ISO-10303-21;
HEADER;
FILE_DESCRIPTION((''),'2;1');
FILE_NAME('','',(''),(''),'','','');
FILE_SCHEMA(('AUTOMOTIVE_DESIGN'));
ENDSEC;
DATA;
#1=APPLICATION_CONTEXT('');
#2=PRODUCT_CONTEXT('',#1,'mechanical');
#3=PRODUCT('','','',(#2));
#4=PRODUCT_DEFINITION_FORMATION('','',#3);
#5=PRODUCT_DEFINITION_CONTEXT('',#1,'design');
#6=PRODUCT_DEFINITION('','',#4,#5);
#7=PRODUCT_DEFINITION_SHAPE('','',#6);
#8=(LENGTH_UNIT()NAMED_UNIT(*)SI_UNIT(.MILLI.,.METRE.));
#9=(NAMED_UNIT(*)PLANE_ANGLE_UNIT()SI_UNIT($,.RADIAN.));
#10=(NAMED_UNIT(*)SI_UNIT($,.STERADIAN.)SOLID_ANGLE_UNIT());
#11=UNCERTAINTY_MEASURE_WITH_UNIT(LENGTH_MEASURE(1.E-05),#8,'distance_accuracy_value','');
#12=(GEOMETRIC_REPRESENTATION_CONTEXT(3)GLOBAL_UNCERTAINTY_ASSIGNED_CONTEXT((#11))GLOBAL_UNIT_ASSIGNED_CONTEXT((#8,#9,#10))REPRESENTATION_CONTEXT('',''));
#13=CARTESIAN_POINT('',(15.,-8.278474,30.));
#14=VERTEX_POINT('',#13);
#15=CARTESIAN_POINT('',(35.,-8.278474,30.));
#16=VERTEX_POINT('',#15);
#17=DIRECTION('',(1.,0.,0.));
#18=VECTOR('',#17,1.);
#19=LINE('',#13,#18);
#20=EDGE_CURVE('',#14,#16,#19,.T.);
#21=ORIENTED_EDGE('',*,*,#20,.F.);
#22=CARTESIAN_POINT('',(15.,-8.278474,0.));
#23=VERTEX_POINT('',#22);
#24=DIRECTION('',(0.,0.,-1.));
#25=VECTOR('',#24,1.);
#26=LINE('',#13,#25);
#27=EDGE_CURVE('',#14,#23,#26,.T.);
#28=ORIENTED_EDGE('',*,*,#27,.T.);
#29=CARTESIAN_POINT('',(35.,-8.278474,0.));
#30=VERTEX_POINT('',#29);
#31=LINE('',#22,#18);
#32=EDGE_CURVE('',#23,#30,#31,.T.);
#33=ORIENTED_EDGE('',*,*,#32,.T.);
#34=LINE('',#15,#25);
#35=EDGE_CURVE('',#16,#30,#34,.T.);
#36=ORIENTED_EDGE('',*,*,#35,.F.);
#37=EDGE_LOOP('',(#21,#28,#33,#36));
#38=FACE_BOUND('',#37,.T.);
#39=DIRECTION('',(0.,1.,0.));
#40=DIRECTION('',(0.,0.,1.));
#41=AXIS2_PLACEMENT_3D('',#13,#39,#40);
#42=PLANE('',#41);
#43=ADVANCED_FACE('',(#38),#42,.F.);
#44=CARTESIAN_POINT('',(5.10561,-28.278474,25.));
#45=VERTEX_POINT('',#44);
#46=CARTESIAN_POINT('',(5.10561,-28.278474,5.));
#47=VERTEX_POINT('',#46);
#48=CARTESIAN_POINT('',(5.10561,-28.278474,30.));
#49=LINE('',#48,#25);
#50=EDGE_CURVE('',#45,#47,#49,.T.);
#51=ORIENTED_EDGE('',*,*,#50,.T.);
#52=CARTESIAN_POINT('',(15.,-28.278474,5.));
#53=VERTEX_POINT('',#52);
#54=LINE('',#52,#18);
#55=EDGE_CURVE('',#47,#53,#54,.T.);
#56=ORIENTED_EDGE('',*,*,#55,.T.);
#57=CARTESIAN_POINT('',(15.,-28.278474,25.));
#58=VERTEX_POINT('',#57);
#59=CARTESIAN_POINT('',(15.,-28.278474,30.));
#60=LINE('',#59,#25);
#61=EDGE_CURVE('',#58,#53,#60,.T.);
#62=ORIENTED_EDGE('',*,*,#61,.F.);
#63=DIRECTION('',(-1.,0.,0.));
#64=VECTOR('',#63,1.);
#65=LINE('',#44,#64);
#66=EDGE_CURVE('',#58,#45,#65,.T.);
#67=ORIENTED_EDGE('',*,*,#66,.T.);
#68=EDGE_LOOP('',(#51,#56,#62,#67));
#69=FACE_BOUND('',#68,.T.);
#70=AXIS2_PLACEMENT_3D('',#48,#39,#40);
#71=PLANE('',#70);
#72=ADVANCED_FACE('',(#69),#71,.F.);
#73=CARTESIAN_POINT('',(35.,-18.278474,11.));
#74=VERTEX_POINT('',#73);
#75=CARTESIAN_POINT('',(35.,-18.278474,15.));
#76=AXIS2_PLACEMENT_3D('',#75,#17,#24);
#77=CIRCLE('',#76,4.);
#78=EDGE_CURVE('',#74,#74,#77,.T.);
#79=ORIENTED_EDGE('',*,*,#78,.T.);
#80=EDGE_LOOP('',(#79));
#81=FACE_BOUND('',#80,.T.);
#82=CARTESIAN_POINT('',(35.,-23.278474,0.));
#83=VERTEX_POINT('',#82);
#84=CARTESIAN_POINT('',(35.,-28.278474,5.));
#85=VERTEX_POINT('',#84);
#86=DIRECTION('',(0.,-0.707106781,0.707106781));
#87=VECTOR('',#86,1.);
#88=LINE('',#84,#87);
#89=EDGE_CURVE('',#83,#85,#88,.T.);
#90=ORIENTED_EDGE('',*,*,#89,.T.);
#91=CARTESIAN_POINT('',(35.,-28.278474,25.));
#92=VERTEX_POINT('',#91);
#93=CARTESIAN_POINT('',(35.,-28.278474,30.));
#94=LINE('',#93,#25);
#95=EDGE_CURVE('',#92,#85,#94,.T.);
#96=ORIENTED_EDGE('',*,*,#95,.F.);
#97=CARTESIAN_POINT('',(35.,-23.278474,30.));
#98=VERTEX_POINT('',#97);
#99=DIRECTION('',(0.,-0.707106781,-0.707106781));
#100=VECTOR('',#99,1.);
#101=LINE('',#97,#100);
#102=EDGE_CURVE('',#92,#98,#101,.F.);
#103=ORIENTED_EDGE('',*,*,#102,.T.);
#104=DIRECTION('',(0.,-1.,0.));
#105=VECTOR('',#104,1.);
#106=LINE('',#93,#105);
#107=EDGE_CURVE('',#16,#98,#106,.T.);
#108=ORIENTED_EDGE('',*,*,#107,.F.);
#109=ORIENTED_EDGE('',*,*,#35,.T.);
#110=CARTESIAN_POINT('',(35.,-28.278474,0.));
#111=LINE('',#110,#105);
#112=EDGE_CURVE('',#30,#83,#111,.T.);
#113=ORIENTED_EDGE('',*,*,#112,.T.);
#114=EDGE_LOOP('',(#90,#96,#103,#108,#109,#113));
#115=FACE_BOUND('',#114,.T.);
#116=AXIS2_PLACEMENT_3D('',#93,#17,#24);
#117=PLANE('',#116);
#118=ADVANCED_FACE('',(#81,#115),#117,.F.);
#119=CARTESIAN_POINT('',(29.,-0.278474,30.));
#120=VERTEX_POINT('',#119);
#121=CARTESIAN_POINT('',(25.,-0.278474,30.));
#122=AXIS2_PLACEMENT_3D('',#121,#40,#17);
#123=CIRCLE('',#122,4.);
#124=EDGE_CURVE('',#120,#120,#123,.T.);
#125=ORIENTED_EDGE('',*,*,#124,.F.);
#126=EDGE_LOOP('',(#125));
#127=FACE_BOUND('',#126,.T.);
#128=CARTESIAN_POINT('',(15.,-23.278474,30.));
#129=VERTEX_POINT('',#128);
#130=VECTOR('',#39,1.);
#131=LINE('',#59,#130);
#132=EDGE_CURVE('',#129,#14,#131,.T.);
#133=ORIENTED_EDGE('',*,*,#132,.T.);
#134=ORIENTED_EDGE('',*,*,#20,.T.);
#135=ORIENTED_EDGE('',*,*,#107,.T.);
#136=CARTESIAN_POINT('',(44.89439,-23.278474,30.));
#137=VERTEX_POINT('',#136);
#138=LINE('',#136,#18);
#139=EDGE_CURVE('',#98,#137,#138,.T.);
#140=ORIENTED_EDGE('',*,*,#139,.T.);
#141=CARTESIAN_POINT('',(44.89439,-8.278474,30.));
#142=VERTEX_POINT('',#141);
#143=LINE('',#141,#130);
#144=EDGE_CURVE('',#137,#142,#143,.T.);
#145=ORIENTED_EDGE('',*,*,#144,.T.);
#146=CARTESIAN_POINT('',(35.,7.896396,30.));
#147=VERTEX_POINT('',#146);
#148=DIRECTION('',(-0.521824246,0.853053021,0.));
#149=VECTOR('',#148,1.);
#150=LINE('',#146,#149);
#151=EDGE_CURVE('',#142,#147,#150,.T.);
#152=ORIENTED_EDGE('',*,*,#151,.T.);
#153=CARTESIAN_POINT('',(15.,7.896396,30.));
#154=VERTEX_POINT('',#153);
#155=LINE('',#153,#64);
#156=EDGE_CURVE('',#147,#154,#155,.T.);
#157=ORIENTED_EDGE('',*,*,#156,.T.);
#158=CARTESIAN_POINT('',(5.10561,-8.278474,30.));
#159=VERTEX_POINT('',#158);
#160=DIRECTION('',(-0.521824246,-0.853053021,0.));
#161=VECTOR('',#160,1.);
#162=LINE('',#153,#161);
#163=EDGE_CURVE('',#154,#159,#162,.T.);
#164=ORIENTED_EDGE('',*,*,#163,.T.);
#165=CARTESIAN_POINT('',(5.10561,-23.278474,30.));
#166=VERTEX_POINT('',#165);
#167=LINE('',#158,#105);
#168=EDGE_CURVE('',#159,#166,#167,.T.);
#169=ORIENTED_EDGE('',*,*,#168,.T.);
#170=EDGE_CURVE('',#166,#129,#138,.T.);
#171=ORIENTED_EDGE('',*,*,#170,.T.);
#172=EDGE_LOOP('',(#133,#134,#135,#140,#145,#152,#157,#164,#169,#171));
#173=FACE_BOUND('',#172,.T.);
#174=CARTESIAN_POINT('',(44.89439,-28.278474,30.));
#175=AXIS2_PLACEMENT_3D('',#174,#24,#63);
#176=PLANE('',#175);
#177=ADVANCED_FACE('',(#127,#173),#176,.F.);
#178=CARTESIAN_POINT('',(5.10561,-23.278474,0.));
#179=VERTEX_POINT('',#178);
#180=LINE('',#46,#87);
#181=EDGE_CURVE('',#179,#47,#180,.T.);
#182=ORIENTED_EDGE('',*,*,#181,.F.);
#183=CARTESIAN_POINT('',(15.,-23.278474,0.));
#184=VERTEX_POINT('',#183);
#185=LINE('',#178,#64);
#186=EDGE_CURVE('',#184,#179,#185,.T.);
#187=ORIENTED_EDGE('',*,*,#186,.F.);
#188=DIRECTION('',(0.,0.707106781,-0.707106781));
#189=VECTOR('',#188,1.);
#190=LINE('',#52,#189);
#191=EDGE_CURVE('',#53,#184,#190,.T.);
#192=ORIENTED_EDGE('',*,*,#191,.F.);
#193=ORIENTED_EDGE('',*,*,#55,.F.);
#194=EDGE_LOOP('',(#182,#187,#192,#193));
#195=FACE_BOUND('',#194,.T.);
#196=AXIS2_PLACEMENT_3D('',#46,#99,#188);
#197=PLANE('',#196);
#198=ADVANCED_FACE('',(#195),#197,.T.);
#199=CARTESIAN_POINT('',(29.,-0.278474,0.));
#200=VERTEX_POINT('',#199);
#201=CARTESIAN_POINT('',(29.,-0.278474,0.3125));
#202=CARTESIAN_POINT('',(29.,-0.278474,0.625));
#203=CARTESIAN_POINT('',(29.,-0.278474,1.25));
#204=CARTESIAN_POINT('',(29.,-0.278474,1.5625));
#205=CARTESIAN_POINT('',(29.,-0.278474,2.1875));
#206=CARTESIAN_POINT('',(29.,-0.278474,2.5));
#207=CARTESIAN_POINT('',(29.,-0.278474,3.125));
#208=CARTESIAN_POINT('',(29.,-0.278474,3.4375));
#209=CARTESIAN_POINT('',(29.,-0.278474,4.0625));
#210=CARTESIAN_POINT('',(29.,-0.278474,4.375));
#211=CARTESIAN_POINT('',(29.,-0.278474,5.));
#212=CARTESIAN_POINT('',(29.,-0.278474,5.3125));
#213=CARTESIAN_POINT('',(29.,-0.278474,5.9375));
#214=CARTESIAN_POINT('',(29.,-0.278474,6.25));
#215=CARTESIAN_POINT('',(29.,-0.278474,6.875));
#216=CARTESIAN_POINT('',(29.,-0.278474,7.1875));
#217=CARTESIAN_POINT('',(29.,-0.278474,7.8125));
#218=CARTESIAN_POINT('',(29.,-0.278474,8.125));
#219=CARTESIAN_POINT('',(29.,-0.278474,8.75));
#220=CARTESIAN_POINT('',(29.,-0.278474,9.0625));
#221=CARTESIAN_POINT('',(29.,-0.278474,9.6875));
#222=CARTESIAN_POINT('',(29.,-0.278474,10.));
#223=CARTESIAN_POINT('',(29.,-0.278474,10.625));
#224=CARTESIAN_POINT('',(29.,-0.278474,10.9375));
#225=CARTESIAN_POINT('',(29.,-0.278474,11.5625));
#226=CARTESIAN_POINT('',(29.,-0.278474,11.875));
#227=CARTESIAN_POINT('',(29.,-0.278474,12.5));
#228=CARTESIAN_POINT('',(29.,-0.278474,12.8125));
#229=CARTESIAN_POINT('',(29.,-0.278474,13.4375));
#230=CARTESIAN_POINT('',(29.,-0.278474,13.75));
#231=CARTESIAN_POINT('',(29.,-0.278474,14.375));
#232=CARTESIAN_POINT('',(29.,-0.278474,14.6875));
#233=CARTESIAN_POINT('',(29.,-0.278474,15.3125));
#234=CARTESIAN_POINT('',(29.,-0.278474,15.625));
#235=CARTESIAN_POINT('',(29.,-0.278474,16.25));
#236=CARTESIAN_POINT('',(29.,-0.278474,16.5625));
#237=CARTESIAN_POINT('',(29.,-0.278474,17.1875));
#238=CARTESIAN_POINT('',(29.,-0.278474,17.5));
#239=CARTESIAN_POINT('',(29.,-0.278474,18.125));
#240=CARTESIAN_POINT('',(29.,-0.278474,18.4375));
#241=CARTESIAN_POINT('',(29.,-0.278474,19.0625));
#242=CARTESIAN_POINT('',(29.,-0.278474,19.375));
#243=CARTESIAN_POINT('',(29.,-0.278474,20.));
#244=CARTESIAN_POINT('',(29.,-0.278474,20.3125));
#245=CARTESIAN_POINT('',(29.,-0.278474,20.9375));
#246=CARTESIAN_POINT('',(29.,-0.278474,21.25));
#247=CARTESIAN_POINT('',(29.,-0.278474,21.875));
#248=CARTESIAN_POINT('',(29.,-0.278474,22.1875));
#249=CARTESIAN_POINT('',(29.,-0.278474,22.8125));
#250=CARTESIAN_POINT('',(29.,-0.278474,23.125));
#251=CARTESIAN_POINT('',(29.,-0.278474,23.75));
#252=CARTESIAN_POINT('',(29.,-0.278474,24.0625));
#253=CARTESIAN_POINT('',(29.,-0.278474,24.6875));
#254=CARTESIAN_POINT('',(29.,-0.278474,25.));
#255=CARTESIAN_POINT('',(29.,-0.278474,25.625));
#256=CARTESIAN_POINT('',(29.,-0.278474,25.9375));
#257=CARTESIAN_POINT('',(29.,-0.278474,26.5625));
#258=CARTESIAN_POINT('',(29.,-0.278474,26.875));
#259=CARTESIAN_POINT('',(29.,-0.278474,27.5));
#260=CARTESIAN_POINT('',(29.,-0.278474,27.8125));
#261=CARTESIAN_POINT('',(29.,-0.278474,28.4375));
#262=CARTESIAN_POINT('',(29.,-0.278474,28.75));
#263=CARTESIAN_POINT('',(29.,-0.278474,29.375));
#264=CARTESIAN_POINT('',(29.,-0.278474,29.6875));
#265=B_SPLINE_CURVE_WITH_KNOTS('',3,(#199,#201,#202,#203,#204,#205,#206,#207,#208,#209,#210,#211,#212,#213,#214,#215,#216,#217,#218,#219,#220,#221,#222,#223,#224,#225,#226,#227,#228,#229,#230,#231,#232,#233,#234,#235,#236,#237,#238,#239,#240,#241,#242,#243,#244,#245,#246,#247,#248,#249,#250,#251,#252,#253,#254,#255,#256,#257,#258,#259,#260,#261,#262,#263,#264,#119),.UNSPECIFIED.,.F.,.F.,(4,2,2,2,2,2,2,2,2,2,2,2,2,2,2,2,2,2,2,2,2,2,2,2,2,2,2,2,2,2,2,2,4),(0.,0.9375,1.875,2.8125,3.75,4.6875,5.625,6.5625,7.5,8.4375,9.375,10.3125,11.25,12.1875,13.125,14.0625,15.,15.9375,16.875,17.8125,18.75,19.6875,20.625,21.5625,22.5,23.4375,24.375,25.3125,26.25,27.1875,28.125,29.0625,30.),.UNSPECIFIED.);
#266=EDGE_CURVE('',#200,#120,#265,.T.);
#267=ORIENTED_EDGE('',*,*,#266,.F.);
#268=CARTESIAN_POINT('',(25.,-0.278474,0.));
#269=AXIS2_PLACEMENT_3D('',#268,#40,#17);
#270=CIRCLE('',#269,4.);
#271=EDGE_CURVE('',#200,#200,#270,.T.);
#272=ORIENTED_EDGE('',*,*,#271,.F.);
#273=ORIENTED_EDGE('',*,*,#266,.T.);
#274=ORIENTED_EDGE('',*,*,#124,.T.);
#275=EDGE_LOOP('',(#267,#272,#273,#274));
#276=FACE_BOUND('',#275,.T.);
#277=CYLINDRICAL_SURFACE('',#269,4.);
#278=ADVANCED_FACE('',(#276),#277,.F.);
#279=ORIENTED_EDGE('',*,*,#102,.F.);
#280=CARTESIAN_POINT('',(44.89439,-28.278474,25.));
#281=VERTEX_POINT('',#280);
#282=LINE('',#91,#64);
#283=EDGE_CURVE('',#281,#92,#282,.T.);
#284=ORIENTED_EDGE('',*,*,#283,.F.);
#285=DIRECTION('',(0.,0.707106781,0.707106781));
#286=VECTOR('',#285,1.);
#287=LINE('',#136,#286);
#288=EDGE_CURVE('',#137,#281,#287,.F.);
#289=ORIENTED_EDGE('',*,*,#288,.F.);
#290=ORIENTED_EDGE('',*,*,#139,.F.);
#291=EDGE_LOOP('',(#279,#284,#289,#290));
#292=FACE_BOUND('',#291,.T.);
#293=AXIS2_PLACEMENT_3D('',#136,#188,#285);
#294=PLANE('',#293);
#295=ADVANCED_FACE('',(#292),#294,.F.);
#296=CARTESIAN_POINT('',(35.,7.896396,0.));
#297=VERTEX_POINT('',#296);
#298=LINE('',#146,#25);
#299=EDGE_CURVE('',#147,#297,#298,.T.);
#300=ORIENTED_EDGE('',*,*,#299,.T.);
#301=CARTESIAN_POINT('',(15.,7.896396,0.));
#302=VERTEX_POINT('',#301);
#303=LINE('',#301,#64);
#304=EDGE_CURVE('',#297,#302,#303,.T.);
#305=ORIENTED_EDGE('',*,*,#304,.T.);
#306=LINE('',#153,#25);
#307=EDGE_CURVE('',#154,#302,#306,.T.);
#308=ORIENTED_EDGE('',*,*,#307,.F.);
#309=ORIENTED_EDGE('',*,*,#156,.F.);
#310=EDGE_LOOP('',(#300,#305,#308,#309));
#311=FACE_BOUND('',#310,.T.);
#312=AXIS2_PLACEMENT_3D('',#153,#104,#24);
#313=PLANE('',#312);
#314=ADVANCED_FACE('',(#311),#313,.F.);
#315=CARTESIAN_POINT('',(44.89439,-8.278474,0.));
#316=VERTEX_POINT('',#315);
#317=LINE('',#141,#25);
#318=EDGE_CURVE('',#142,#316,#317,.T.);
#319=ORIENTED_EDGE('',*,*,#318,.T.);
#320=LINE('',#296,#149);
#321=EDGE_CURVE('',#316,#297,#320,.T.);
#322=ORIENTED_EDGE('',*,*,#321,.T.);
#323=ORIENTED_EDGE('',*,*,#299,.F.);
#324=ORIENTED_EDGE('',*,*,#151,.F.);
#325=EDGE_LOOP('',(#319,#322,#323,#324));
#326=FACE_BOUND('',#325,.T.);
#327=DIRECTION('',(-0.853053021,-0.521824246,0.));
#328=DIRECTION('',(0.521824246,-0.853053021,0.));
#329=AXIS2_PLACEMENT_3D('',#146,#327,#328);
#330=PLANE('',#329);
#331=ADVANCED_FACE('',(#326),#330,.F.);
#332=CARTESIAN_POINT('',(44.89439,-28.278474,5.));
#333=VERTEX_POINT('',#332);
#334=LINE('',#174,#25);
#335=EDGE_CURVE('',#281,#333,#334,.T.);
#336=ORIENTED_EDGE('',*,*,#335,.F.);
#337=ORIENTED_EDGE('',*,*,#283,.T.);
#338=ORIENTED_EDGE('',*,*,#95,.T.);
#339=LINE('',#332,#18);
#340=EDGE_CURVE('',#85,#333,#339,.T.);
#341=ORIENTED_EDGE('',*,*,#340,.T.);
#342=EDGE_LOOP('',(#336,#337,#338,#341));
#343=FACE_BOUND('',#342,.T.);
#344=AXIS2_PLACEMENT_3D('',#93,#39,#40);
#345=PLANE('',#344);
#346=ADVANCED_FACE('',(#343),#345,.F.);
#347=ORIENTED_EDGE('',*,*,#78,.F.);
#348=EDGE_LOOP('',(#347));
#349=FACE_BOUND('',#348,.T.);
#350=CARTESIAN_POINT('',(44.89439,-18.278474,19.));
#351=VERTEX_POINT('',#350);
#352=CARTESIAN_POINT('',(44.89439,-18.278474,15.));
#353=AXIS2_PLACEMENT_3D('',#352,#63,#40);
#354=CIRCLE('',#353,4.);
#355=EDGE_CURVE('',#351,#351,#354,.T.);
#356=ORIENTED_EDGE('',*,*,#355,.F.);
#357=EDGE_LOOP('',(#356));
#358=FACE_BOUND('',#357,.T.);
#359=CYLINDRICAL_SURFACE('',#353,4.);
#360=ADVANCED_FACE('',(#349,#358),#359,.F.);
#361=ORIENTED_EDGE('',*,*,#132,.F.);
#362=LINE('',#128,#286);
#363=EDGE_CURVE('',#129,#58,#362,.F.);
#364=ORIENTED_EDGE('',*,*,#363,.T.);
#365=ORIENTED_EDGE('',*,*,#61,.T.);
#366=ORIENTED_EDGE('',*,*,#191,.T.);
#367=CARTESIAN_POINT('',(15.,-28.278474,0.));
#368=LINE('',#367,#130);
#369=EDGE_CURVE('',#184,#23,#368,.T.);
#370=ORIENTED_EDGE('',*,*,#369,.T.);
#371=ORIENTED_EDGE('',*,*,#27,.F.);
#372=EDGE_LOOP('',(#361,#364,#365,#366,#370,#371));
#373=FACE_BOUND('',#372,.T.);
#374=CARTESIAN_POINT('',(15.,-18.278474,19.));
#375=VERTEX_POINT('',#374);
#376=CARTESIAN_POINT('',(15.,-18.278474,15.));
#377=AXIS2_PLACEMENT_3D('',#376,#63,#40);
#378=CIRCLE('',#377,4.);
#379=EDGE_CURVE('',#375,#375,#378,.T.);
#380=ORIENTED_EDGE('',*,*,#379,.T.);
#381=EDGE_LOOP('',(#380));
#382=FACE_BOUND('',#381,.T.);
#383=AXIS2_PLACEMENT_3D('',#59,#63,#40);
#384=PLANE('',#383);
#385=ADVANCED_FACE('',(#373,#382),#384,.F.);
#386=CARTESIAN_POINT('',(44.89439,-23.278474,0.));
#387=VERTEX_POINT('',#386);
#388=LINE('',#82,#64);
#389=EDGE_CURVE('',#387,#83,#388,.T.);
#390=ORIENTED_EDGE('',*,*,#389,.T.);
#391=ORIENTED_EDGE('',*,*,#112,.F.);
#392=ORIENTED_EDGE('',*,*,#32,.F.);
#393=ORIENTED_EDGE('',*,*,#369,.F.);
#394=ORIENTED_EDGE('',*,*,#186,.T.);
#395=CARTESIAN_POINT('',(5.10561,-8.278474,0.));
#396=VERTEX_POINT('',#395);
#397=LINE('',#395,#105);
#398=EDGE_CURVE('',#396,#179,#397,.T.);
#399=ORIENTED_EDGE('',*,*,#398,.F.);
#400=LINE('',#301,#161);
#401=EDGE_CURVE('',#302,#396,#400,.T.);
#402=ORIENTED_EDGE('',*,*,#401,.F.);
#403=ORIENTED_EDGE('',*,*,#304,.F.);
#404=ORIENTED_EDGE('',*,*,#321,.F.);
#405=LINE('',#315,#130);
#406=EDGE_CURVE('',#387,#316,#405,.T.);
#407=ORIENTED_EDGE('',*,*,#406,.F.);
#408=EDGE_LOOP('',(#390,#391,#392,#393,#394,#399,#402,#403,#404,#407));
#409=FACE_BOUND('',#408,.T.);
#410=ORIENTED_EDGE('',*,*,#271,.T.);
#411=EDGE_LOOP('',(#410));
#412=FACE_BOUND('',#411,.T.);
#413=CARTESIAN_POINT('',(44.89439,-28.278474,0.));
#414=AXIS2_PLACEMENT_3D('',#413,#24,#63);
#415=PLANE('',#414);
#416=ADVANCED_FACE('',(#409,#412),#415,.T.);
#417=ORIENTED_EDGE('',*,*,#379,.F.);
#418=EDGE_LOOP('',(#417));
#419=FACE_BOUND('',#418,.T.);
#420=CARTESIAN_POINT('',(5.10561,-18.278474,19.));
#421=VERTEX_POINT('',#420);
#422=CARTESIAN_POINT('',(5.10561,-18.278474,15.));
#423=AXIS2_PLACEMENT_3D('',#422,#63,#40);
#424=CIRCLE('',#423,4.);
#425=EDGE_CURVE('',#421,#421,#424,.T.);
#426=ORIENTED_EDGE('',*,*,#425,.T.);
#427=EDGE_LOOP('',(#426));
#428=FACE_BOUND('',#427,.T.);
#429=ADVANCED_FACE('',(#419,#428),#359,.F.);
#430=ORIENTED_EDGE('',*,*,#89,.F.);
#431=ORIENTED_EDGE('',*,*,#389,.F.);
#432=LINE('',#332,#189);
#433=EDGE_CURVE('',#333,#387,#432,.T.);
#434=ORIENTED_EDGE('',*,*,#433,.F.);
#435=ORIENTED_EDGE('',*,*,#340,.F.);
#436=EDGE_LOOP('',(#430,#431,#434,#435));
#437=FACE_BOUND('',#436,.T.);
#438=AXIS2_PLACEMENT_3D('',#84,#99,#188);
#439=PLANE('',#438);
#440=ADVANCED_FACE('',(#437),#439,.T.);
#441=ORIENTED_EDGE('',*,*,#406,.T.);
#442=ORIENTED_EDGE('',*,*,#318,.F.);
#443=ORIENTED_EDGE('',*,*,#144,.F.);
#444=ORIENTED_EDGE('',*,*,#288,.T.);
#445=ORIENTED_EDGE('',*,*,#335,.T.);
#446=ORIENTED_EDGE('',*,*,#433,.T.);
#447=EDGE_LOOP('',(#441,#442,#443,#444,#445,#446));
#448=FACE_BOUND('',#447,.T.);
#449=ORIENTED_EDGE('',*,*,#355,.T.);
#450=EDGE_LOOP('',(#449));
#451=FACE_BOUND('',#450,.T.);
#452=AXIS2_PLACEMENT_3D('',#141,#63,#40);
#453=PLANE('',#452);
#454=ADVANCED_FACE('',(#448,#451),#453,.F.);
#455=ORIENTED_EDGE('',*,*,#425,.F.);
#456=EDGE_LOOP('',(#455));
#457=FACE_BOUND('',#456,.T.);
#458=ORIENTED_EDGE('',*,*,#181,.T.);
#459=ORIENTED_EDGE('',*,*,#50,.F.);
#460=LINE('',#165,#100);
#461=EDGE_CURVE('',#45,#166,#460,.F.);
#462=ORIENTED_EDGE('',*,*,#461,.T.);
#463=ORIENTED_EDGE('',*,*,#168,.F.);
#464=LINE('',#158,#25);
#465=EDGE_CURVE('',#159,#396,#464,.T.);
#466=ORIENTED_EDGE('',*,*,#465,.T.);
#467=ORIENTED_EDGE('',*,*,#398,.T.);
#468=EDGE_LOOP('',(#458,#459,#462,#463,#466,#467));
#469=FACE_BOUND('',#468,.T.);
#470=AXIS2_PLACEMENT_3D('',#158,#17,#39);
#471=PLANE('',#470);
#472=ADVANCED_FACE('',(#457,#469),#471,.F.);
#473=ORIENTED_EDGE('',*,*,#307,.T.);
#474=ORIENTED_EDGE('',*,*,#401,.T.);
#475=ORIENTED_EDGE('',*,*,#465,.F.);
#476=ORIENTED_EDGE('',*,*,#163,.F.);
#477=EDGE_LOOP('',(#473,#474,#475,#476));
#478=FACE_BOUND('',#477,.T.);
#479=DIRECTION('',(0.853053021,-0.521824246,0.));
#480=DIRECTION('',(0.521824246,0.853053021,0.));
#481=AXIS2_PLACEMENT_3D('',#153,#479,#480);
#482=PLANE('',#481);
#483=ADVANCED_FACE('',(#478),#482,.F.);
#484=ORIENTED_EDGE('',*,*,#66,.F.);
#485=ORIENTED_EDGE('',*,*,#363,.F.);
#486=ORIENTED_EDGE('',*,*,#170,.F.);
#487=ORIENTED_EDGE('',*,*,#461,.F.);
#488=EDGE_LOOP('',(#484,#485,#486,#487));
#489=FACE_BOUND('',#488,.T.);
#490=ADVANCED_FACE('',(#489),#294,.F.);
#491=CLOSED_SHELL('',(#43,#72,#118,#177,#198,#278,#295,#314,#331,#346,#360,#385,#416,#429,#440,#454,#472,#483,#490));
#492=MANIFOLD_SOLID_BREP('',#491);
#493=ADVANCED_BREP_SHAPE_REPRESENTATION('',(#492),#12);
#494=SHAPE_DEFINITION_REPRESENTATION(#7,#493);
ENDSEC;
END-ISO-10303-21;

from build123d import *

# Parameters (mm, degrees)
EXTRUDE_1_DEPTH     = 30
CHAMFER_1_SIZE      = 5
SKETCH_2_R          = 4
CUT_EXTRUDE_2_DEPTH = 58.295890515
SKETCH_3_R          = 4
CUT_EXTRUDE_3_DEPTH = 61.952262634


with BuildPart() as part:
    # Эскиз1 → Вытянуть1 (new body)
    with BuildSketch(Plane.XY):
        Polygon((15, 7.896395833), (35, 7.896395833), (44.894389845, -8.278473804), (44.894389845, -28.278473804), (35, -28.278473804), (35, -8.278473804), (15, -8.278473804), (15, -28.278473804), (5.105610155, -28.278473804), (5.105610155, -8.278473804), align=None)
    extrude(amount=EXTRUDE_1_DEPTH)

    # Фаска1
    chamfer_1_edges = [part.edges().sort_by_distance(p)[0] for p in [
        (10.052805078, -28.278473804, 0),
        (39.947194922, -28.278473804, 0),
        (10.052805078, -28.278473804, 30),
        (39.947194922, -28.278473804, 30),
    ]]
    chamfer(chamfer_1_edges, length=CHAMFER_1_SIZE)

    # Эскиз2 → Вытянуть2 (cut, through all)
    with BuildSketch(Plane.ZY.offset(-5.105610155)):
        with Locations((15, -18.278473804)):
            Circle(SKETCH_2_R)
    extrude(amount=-CUT_EXTRUDE_2_DEPTH, mode=Mode.SUBTRACT)

    # Эскиз3 → Вытянуть3 (cut, through all)
    with BuildSketch(Plane.XY.offset(30)):
        with Locations((25, -0.278473804)):
            Circle(SKETCH_3_R)
    extrude(amount=-CUT_EXTRUDE_3_DEPTH, mode=Mode.SUBTRACT)


solid = part.part
